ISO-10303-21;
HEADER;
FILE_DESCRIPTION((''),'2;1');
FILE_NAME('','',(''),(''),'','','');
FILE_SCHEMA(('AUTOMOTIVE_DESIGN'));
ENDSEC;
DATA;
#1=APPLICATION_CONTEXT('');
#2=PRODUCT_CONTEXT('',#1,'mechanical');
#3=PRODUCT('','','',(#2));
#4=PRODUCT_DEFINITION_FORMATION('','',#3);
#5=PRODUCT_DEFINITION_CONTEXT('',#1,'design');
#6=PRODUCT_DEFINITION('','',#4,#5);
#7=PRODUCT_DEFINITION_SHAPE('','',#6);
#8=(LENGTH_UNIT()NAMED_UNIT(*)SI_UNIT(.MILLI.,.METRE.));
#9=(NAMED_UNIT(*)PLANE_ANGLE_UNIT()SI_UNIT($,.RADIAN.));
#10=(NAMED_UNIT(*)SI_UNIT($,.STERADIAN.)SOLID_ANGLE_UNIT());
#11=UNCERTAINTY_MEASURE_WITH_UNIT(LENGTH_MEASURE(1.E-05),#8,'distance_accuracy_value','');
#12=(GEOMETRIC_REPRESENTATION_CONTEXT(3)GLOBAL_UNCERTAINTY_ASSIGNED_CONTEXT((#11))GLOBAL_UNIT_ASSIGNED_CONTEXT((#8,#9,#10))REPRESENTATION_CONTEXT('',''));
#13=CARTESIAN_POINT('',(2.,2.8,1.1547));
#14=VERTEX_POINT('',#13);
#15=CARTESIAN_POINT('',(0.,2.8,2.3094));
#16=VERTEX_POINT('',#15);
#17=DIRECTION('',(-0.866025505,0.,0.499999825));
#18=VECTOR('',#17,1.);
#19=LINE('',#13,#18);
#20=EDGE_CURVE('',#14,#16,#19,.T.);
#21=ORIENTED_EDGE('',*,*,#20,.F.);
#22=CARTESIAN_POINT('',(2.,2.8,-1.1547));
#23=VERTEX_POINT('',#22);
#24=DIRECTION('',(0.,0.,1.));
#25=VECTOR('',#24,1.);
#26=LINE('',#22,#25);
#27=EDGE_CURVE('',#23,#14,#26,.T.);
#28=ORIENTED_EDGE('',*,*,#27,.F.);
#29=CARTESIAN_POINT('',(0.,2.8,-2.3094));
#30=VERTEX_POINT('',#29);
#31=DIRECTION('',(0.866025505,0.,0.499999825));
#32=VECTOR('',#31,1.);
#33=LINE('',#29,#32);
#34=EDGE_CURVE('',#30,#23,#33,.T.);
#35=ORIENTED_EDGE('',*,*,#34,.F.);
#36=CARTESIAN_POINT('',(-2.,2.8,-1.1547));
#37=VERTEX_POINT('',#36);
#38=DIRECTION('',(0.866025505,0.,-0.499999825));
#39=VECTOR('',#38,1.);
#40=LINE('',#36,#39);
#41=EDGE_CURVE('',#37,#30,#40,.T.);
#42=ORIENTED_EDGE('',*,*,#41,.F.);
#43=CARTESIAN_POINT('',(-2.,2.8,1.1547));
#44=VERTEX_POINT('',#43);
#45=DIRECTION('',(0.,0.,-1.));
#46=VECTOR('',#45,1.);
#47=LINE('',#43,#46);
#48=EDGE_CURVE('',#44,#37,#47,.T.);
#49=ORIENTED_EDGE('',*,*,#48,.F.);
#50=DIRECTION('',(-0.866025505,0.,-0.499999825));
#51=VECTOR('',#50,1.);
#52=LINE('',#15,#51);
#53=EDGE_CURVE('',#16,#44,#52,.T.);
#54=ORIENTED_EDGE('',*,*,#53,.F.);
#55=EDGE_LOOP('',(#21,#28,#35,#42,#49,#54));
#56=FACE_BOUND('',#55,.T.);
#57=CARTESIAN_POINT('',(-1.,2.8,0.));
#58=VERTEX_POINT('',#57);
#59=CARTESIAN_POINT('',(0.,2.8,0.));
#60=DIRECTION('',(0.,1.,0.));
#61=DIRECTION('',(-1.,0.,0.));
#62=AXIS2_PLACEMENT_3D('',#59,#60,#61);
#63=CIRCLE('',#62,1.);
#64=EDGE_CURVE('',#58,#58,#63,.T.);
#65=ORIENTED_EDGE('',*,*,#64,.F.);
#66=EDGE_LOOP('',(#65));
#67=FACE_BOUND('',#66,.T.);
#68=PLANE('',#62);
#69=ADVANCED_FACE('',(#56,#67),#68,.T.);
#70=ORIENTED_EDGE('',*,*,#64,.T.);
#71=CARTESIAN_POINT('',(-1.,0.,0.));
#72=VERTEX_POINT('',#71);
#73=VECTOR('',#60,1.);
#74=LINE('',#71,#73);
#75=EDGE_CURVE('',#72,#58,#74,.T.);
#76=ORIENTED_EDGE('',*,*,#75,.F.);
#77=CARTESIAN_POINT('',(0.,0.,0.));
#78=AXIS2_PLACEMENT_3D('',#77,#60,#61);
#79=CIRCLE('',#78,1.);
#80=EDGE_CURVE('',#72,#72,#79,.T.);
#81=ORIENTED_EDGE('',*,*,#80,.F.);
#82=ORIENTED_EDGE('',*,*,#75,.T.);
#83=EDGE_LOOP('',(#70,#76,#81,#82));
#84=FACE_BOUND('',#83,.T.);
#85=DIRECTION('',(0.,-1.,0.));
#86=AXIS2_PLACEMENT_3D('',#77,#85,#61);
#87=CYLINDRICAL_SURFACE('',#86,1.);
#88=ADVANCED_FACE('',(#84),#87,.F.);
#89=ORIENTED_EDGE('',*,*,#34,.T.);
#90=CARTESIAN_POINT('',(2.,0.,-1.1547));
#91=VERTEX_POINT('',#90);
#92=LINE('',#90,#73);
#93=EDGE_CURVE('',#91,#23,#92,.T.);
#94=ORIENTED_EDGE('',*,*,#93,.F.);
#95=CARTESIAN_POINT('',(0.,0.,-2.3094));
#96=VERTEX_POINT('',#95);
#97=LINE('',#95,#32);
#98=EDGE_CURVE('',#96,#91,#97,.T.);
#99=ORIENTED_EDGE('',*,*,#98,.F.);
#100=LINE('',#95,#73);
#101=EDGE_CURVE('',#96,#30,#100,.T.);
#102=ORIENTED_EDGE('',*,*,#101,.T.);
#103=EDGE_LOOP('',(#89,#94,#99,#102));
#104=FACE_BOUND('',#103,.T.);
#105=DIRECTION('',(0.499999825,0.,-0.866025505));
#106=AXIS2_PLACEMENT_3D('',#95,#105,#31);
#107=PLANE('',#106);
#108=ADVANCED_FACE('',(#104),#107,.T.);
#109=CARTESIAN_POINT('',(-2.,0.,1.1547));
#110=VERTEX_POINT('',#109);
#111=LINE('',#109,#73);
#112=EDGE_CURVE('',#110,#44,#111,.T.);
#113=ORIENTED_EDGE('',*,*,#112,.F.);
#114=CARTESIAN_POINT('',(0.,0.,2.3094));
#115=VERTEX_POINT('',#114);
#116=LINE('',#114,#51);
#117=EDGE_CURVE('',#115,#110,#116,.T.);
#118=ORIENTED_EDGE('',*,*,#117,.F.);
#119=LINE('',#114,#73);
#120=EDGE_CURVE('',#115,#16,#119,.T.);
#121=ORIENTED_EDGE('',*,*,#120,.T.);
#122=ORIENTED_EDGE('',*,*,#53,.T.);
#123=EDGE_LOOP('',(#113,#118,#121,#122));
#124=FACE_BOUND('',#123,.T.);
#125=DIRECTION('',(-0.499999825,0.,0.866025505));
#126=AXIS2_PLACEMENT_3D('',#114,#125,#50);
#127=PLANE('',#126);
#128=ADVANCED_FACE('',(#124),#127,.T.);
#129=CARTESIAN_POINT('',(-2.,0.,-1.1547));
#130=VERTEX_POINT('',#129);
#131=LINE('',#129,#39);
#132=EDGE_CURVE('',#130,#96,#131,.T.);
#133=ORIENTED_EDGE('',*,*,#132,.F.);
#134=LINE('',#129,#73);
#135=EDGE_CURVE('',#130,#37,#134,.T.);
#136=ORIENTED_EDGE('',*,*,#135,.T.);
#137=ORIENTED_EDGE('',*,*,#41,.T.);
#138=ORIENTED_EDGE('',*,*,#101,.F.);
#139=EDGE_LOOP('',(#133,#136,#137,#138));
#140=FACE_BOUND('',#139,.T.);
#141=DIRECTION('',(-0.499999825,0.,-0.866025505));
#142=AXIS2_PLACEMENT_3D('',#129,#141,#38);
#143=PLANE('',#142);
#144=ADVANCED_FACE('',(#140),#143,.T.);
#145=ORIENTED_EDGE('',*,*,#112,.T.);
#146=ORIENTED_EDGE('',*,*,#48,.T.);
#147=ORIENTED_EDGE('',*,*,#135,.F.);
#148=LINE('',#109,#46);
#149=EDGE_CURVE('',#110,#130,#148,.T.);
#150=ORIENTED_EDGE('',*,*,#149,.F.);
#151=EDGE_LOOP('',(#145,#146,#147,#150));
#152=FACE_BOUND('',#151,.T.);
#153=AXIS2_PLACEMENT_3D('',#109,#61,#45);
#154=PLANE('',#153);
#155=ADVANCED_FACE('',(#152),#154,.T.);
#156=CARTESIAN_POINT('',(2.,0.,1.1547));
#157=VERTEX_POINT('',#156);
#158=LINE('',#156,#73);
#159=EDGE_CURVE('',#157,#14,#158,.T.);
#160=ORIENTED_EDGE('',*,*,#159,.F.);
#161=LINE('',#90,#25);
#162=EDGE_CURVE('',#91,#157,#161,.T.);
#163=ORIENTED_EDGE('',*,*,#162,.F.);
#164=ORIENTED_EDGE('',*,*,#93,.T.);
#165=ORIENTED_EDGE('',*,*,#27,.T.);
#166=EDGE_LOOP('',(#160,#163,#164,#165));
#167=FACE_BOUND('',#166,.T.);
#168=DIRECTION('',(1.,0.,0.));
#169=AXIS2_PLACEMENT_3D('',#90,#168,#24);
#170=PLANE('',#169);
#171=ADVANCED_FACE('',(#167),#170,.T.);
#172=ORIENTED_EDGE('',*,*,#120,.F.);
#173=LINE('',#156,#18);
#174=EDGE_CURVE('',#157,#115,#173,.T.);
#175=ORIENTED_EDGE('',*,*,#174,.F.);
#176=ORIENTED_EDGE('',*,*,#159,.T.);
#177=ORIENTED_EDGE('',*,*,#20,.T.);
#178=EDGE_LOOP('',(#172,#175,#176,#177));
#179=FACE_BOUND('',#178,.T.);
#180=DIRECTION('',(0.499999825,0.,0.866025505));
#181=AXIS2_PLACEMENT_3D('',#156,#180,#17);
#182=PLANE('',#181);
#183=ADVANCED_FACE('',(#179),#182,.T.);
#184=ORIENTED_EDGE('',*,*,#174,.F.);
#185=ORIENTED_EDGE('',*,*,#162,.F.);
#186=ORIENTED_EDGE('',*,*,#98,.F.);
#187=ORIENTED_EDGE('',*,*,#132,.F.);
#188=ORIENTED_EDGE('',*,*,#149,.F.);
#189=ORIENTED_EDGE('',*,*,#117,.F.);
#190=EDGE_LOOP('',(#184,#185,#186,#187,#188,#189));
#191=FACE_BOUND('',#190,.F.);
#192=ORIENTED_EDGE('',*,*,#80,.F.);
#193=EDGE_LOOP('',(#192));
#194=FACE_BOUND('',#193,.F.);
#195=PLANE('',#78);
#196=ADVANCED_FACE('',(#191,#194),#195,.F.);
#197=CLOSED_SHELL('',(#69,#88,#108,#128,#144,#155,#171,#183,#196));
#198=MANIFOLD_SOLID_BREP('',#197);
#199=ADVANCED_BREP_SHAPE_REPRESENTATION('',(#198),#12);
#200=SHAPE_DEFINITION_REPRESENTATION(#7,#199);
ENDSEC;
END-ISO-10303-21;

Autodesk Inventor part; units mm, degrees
ref_plane "YZ Plane" through (0, 0, 0) normal (1, 0, 0) x (0, 1, 0)
ref_plane "XZ Plane" through (0, 0, 0) normal (0, 1, 0) x (-1, 0, 0)
ref_plane "XY Plane" through (0, 0, 0) normal (0, 0, 1) x (1, 0, 0)
sketch "Sketch1" plane through (0, 0, 0) normal (0, 1, 0) x (-1, 0, 0)
  line L0 (0, -2.3094) -> (-2, -1.1547)
  line L1 (-2, -1.1547) -> (-2, 1.1547)
  line L2 (-2, 1.1547) -> (0, 2.3094)
  line L3 (0, 2.3094) -> (2, 1.1547)
  line L4 (2, 1.1547) -> (2, -1.1547)
  line L5 (2, -1.1547) -> (0, -2.3094)
  circle A0 centre (0, 0) radius 1
  dimension "d0" = 4
  dimension "d1" = 2
extrude "Extrusion1" add sketch "Sketch1" along normal blind 2.8
properties part number "M2_nut"
